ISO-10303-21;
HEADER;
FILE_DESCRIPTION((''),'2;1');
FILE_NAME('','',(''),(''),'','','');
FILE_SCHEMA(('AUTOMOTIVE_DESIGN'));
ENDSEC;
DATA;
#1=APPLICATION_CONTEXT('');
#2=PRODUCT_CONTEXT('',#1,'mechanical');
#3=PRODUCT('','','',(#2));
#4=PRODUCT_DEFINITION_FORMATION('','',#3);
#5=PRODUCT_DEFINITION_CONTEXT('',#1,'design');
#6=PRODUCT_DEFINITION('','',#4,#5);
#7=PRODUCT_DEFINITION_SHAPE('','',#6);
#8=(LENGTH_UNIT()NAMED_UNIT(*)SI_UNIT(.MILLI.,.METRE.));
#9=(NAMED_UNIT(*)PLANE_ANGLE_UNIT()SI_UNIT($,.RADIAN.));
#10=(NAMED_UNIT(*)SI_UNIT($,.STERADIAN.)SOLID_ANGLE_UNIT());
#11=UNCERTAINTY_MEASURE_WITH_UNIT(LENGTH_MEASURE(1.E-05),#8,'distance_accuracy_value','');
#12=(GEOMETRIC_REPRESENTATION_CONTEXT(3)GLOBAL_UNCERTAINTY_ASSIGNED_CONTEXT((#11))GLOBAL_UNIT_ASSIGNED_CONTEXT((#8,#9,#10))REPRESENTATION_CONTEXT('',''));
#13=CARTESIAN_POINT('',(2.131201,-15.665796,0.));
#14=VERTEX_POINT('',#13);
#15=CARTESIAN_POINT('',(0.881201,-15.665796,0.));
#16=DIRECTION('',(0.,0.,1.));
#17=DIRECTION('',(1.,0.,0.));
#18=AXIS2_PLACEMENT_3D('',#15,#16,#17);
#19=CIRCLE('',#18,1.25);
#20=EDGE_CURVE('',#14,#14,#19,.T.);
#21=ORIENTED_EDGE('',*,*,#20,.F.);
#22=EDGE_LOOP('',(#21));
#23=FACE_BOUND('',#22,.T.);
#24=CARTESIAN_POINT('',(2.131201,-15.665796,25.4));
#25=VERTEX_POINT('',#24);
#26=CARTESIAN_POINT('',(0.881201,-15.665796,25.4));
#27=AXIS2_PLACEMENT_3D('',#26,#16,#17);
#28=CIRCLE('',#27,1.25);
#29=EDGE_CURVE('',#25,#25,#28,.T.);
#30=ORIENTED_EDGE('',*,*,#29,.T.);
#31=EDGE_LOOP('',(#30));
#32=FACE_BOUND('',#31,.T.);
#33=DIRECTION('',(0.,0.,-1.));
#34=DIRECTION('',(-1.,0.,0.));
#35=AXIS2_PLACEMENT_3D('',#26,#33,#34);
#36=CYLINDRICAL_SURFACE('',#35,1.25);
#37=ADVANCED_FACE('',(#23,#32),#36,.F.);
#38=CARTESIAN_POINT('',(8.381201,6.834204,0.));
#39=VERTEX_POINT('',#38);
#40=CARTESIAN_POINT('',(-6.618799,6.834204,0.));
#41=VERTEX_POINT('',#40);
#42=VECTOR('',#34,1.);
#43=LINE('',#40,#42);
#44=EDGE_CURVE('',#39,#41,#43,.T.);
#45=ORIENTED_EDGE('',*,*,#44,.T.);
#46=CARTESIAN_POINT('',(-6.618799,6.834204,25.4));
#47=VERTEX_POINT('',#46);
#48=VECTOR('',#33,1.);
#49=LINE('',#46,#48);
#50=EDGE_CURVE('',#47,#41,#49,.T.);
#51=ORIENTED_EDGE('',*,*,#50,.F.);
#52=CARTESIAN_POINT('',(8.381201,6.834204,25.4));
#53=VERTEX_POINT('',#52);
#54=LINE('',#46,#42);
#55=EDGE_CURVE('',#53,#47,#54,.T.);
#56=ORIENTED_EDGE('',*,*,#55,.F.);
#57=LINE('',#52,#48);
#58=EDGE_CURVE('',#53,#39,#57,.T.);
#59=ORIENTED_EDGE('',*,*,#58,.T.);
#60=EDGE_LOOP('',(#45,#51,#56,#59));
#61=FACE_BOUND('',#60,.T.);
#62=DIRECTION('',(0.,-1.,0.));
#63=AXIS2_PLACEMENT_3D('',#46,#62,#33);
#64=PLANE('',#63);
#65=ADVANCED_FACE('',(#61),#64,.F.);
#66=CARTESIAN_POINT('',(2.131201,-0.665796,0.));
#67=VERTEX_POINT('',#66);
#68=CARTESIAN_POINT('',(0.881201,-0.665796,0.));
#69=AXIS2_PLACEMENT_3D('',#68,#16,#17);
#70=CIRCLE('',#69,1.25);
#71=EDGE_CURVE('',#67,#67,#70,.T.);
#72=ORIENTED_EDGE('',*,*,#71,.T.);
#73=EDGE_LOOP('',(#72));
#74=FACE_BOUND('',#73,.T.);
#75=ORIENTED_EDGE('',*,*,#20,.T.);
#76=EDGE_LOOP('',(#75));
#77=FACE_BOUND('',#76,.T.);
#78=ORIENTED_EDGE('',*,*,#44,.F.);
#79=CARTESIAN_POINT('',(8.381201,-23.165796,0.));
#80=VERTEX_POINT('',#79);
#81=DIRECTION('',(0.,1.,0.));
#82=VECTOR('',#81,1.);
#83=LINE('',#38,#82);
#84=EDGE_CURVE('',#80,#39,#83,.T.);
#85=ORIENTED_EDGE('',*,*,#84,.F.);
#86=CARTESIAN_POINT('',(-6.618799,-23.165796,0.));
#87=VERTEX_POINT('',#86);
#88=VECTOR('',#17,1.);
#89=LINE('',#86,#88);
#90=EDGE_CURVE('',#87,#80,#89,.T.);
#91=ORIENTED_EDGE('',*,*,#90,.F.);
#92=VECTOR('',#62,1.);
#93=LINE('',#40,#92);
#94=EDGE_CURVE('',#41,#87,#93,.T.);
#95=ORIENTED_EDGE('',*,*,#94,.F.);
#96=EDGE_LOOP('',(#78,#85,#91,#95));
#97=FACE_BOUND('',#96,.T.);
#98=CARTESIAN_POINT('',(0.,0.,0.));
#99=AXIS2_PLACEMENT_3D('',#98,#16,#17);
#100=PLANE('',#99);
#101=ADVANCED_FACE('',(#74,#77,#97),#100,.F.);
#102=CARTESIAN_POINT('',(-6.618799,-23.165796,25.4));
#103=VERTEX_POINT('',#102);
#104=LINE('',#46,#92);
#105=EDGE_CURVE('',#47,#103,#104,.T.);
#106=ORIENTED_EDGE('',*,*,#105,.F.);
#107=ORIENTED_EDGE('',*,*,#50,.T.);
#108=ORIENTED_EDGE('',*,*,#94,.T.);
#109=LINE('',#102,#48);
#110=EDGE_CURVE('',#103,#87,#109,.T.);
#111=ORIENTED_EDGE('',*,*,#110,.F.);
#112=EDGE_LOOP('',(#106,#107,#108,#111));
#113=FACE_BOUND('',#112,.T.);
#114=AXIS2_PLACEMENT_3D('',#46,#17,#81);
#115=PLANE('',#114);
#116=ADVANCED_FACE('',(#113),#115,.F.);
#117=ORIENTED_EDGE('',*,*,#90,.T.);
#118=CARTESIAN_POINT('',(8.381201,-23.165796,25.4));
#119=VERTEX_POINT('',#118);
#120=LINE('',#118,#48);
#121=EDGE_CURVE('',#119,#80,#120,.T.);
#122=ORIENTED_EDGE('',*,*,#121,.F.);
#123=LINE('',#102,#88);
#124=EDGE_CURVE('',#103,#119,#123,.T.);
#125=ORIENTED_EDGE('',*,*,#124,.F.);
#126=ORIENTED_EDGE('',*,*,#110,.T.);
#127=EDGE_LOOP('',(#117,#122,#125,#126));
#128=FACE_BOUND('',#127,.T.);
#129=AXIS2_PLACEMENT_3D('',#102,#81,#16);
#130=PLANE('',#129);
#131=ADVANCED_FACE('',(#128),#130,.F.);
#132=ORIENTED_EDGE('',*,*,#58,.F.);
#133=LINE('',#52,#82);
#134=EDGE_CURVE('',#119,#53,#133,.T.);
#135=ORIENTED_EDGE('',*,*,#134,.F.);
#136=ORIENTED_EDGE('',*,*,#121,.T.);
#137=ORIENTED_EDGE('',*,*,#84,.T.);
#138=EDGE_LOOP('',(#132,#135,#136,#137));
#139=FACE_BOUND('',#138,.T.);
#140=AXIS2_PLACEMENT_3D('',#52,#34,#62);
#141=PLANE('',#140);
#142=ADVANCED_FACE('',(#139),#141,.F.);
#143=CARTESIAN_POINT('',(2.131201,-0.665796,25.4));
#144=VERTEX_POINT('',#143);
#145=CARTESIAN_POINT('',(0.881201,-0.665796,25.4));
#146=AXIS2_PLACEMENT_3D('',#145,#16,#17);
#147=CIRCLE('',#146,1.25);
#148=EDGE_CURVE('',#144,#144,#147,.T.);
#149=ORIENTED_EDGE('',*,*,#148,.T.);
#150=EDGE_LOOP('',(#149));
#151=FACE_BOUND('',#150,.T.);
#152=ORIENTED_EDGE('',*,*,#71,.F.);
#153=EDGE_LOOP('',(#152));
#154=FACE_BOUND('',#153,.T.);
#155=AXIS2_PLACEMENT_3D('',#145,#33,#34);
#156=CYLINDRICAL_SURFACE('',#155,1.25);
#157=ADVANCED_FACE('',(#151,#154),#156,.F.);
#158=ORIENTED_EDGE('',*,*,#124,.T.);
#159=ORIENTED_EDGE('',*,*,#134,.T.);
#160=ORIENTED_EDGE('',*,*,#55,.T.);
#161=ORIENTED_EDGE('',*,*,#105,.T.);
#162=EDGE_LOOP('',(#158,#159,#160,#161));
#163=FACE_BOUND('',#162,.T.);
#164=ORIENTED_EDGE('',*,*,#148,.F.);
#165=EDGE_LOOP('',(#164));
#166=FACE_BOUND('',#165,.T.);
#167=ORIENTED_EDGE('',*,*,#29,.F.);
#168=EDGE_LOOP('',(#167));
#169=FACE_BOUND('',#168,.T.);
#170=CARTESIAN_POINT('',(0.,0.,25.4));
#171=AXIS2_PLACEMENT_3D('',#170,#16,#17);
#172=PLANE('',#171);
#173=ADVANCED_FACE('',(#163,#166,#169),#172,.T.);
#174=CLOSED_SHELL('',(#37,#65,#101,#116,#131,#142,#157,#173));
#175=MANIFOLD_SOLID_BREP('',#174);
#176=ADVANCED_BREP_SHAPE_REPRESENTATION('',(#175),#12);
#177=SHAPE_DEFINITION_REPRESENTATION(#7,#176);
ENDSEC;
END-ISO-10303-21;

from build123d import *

# Parameters (mm, degrees)
SKETCH1_W           = 15
SKETCH1_H           = 30
SKETCH1_R           = 1.25
BOSS_EXTRUDE1_DEPTH = 25.4


with BuildPart() as part:
    # Sketch1 → Boss-Extrude1 (new body)
    with BuildSketch(Plane.XY):
        with Locations((0.881201044, -8.165796345)):
            Rectangle(SKETCH1_W, SKETCH1_H)
        with Locations((0.881201044, -0.665796345)):
            Circle(SKETCH1_R, mode=Mode.SUBTRACT)
        with Locations((0.881201044, -15.665796345)):
            Circle(SKETCH1_R, mode=Mode.SUBTRACT)
    extrude(amount=BOSS_EXTRUDE1_DEPTH)


solid = part.part
